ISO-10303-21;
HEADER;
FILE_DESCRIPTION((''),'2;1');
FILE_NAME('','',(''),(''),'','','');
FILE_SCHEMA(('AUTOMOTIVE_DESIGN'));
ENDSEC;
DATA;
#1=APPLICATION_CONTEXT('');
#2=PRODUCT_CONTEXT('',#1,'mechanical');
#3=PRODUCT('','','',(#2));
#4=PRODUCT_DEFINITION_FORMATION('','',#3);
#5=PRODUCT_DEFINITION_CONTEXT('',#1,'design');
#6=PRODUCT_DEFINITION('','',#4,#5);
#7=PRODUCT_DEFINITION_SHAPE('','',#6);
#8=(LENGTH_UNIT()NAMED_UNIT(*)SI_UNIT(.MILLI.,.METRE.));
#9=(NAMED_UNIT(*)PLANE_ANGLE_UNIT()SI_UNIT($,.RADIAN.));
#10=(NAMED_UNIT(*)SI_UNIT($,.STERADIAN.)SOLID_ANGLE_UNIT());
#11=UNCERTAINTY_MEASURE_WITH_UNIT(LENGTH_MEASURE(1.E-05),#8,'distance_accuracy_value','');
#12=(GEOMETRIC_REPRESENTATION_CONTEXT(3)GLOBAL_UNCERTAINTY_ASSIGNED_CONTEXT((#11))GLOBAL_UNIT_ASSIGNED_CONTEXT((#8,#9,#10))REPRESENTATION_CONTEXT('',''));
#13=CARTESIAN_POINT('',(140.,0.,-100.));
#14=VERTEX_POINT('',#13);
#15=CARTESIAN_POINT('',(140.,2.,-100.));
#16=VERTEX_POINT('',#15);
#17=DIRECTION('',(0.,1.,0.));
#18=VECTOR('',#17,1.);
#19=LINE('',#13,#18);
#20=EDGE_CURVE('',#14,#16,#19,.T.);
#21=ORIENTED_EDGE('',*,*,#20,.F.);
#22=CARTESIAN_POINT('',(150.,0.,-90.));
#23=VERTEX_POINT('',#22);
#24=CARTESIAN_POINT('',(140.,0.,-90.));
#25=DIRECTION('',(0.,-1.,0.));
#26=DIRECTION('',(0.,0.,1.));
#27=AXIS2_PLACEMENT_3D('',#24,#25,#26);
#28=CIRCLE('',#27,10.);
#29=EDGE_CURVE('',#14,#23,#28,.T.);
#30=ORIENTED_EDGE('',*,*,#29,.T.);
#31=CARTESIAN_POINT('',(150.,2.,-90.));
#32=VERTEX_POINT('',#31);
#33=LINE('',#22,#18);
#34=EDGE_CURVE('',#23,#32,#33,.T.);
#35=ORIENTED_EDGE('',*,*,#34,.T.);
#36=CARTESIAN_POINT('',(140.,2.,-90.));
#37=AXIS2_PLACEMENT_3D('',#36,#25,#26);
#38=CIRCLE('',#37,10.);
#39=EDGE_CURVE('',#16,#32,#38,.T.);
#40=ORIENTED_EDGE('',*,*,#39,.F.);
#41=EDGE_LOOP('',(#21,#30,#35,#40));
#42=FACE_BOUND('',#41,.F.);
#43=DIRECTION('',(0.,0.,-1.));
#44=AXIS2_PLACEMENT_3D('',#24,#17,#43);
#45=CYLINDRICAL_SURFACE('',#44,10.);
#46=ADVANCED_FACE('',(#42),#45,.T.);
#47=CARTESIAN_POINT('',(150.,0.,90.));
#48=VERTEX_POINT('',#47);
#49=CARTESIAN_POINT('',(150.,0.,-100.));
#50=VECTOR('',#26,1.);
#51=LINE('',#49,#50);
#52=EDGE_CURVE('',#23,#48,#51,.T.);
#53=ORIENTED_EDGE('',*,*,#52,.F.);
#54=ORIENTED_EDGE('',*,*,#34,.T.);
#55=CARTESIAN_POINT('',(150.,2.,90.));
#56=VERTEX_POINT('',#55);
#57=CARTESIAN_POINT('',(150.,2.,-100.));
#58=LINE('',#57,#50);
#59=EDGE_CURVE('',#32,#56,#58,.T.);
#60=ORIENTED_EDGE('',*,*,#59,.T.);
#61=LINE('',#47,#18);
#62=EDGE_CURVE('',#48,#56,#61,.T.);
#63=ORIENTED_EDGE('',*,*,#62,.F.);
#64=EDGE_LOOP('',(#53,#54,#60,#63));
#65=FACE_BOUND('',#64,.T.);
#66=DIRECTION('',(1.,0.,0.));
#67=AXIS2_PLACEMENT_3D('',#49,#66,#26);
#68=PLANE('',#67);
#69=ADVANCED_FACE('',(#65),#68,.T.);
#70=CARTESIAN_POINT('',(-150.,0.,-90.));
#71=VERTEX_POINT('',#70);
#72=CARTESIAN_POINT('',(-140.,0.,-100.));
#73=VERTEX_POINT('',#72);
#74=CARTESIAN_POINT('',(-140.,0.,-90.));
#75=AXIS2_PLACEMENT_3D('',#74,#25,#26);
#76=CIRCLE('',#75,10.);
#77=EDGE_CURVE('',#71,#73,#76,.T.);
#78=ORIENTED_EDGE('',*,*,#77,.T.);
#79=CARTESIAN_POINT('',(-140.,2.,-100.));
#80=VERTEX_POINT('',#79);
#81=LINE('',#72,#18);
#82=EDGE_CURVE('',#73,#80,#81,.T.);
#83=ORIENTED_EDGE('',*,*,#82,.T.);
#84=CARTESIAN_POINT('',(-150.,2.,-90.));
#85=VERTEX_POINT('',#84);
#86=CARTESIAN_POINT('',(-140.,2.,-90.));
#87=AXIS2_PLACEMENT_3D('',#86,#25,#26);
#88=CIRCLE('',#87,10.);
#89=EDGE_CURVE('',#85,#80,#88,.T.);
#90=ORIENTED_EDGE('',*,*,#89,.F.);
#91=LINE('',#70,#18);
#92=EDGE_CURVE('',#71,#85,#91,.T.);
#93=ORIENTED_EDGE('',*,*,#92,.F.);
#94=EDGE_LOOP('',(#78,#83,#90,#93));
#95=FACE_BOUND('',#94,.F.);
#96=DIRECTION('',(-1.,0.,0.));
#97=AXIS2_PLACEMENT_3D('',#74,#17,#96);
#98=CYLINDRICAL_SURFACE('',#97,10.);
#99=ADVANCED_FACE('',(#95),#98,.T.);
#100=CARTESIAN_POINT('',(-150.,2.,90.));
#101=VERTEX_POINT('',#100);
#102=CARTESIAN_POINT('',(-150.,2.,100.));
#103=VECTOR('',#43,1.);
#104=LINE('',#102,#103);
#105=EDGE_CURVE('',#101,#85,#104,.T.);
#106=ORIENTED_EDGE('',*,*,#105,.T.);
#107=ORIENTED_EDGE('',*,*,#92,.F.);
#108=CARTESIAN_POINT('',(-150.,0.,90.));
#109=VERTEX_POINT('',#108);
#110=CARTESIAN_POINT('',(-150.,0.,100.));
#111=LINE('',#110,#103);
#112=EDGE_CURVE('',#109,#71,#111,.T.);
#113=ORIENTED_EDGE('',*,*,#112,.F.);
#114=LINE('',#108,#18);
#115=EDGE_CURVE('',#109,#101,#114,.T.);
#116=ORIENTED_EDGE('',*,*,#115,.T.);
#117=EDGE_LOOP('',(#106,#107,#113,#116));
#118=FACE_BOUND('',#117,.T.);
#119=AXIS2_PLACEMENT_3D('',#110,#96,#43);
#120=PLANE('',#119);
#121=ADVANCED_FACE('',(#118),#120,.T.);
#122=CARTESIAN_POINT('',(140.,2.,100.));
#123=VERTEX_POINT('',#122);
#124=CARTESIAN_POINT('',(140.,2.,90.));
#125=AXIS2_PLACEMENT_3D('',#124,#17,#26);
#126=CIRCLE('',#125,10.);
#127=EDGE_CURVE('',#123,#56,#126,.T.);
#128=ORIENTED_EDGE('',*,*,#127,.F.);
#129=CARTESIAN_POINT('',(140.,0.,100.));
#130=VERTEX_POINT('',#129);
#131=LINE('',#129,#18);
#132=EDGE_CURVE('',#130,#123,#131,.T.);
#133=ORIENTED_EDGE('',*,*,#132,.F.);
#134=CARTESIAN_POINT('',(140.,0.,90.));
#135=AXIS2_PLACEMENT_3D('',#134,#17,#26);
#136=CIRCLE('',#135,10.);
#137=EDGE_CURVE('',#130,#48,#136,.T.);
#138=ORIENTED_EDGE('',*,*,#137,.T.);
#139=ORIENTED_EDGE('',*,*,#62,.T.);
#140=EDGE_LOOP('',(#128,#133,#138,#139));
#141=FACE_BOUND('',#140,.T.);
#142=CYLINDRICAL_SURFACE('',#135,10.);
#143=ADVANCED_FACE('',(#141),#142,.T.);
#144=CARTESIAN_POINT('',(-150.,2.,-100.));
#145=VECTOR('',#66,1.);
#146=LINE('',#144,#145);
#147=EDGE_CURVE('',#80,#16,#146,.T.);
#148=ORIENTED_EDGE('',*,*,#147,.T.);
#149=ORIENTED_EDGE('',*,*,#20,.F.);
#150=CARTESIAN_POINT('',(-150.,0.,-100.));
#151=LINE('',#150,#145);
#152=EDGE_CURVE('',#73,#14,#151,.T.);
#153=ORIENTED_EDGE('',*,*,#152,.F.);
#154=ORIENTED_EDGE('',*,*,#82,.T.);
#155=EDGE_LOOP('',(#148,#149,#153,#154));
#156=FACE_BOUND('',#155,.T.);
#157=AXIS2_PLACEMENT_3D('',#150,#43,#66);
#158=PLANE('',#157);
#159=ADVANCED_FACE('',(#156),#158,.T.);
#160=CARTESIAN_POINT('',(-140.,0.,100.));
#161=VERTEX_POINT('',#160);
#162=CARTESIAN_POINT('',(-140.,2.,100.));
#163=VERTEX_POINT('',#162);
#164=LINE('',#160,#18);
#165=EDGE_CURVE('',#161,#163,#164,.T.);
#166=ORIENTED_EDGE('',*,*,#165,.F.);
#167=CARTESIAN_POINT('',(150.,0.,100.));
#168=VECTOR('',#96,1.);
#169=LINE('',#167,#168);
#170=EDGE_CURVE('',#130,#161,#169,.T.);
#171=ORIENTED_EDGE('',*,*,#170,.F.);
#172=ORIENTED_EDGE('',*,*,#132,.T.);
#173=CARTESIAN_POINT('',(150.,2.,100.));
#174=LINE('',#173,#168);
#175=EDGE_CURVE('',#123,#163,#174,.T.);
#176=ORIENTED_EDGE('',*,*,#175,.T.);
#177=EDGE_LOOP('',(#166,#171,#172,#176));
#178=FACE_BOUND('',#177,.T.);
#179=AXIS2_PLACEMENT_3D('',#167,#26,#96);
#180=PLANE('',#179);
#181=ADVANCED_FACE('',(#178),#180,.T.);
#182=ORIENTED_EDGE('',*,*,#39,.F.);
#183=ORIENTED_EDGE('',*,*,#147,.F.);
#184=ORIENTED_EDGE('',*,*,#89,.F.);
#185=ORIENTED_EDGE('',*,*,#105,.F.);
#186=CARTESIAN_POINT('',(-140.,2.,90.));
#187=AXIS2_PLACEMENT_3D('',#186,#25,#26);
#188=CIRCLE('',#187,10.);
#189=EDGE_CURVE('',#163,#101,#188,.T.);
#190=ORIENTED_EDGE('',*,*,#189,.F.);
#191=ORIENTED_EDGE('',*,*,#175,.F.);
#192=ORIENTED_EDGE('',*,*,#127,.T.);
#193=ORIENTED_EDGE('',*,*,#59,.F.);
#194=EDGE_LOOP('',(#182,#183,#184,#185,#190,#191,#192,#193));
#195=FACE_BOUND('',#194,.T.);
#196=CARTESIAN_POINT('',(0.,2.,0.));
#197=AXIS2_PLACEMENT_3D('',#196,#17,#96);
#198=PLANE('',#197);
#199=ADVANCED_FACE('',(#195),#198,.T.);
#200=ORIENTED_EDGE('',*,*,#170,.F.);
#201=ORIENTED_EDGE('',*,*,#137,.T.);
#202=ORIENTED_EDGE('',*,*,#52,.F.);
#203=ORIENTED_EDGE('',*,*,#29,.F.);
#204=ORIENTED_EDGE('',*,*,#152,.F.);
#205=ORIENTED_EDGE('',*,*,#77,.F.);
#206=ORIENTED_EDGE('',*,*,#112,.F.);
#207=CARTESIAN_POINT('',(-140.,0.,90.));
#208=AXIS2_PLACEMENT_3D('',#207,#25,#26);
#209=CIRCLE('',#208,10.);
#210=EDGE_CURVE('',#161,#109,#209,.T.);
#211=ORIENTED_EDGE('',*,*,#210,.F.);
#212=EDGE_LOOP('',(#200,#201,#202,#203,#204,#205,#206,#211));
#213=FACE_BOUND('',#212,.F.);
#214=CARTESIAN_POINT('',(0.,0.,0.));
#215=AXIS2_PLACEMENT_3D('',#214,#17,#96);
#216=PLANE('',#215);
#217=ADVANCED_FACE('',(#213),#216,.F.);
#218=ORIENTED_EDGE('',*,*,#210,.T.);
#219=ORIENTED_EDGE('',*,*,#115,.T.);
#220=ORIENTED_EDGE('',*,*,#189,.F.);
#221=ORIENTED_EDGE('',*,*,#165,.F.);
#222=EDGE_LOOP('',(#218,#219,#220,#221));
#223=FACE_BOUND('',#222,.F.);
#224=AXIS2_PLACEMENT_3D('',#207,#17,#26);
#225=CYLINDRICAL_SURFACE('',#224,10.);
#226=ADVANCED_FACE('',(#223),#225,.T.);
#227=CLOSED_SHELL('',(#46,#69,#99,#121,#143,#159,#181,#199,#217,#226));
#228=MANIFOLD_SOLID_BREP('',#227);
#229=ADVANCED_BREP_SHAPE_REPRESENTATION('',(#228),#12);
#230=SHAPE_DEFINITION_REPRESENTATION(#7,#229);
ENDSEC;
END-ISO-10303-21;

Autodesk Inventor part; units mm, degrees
ref_plane "YZ Plane" through (0, 0, 0) normal (1, 0, 0) x (0, 1, 0)
ref_plane "XZ Plane" through (0, 0, 0) normal (0, 1, 0) x (-1, 0, 0)
ref_plane "XY Plane" through (0, 0, 0) normal (0, 0, 1) x (1, 0, 0)
sketch "Sketch1" plane through (0, 0, 0) normal (0, 1, 0) x (-1, 0, 0)
  line L0 (-150, 100) -> (150, 100)
  line L1 (150, 100) -> (150, -100)
  line L2 (150, -100) -> (-150, -100)
  line L3 (-150, -100) -> (-150, 100)
  line L4 (-150, 100) -> (150, -100) construction
  line L5 (150, 100) -> (-150, -100) construction
  point P0 (0, 0)
  dimension "d0" = 300
  dimension "d1" = 200
extrude "Extrusion1" add sketch "Sketch1" along normal blind 2
fillet "Fillet1" radius 10 4 edges at (150, 1, 100) (150, 1, -100) (-150, 1, -100) (-150, 1, 100)
properties part number "Bottom Cover" material "Stainless Steel"
